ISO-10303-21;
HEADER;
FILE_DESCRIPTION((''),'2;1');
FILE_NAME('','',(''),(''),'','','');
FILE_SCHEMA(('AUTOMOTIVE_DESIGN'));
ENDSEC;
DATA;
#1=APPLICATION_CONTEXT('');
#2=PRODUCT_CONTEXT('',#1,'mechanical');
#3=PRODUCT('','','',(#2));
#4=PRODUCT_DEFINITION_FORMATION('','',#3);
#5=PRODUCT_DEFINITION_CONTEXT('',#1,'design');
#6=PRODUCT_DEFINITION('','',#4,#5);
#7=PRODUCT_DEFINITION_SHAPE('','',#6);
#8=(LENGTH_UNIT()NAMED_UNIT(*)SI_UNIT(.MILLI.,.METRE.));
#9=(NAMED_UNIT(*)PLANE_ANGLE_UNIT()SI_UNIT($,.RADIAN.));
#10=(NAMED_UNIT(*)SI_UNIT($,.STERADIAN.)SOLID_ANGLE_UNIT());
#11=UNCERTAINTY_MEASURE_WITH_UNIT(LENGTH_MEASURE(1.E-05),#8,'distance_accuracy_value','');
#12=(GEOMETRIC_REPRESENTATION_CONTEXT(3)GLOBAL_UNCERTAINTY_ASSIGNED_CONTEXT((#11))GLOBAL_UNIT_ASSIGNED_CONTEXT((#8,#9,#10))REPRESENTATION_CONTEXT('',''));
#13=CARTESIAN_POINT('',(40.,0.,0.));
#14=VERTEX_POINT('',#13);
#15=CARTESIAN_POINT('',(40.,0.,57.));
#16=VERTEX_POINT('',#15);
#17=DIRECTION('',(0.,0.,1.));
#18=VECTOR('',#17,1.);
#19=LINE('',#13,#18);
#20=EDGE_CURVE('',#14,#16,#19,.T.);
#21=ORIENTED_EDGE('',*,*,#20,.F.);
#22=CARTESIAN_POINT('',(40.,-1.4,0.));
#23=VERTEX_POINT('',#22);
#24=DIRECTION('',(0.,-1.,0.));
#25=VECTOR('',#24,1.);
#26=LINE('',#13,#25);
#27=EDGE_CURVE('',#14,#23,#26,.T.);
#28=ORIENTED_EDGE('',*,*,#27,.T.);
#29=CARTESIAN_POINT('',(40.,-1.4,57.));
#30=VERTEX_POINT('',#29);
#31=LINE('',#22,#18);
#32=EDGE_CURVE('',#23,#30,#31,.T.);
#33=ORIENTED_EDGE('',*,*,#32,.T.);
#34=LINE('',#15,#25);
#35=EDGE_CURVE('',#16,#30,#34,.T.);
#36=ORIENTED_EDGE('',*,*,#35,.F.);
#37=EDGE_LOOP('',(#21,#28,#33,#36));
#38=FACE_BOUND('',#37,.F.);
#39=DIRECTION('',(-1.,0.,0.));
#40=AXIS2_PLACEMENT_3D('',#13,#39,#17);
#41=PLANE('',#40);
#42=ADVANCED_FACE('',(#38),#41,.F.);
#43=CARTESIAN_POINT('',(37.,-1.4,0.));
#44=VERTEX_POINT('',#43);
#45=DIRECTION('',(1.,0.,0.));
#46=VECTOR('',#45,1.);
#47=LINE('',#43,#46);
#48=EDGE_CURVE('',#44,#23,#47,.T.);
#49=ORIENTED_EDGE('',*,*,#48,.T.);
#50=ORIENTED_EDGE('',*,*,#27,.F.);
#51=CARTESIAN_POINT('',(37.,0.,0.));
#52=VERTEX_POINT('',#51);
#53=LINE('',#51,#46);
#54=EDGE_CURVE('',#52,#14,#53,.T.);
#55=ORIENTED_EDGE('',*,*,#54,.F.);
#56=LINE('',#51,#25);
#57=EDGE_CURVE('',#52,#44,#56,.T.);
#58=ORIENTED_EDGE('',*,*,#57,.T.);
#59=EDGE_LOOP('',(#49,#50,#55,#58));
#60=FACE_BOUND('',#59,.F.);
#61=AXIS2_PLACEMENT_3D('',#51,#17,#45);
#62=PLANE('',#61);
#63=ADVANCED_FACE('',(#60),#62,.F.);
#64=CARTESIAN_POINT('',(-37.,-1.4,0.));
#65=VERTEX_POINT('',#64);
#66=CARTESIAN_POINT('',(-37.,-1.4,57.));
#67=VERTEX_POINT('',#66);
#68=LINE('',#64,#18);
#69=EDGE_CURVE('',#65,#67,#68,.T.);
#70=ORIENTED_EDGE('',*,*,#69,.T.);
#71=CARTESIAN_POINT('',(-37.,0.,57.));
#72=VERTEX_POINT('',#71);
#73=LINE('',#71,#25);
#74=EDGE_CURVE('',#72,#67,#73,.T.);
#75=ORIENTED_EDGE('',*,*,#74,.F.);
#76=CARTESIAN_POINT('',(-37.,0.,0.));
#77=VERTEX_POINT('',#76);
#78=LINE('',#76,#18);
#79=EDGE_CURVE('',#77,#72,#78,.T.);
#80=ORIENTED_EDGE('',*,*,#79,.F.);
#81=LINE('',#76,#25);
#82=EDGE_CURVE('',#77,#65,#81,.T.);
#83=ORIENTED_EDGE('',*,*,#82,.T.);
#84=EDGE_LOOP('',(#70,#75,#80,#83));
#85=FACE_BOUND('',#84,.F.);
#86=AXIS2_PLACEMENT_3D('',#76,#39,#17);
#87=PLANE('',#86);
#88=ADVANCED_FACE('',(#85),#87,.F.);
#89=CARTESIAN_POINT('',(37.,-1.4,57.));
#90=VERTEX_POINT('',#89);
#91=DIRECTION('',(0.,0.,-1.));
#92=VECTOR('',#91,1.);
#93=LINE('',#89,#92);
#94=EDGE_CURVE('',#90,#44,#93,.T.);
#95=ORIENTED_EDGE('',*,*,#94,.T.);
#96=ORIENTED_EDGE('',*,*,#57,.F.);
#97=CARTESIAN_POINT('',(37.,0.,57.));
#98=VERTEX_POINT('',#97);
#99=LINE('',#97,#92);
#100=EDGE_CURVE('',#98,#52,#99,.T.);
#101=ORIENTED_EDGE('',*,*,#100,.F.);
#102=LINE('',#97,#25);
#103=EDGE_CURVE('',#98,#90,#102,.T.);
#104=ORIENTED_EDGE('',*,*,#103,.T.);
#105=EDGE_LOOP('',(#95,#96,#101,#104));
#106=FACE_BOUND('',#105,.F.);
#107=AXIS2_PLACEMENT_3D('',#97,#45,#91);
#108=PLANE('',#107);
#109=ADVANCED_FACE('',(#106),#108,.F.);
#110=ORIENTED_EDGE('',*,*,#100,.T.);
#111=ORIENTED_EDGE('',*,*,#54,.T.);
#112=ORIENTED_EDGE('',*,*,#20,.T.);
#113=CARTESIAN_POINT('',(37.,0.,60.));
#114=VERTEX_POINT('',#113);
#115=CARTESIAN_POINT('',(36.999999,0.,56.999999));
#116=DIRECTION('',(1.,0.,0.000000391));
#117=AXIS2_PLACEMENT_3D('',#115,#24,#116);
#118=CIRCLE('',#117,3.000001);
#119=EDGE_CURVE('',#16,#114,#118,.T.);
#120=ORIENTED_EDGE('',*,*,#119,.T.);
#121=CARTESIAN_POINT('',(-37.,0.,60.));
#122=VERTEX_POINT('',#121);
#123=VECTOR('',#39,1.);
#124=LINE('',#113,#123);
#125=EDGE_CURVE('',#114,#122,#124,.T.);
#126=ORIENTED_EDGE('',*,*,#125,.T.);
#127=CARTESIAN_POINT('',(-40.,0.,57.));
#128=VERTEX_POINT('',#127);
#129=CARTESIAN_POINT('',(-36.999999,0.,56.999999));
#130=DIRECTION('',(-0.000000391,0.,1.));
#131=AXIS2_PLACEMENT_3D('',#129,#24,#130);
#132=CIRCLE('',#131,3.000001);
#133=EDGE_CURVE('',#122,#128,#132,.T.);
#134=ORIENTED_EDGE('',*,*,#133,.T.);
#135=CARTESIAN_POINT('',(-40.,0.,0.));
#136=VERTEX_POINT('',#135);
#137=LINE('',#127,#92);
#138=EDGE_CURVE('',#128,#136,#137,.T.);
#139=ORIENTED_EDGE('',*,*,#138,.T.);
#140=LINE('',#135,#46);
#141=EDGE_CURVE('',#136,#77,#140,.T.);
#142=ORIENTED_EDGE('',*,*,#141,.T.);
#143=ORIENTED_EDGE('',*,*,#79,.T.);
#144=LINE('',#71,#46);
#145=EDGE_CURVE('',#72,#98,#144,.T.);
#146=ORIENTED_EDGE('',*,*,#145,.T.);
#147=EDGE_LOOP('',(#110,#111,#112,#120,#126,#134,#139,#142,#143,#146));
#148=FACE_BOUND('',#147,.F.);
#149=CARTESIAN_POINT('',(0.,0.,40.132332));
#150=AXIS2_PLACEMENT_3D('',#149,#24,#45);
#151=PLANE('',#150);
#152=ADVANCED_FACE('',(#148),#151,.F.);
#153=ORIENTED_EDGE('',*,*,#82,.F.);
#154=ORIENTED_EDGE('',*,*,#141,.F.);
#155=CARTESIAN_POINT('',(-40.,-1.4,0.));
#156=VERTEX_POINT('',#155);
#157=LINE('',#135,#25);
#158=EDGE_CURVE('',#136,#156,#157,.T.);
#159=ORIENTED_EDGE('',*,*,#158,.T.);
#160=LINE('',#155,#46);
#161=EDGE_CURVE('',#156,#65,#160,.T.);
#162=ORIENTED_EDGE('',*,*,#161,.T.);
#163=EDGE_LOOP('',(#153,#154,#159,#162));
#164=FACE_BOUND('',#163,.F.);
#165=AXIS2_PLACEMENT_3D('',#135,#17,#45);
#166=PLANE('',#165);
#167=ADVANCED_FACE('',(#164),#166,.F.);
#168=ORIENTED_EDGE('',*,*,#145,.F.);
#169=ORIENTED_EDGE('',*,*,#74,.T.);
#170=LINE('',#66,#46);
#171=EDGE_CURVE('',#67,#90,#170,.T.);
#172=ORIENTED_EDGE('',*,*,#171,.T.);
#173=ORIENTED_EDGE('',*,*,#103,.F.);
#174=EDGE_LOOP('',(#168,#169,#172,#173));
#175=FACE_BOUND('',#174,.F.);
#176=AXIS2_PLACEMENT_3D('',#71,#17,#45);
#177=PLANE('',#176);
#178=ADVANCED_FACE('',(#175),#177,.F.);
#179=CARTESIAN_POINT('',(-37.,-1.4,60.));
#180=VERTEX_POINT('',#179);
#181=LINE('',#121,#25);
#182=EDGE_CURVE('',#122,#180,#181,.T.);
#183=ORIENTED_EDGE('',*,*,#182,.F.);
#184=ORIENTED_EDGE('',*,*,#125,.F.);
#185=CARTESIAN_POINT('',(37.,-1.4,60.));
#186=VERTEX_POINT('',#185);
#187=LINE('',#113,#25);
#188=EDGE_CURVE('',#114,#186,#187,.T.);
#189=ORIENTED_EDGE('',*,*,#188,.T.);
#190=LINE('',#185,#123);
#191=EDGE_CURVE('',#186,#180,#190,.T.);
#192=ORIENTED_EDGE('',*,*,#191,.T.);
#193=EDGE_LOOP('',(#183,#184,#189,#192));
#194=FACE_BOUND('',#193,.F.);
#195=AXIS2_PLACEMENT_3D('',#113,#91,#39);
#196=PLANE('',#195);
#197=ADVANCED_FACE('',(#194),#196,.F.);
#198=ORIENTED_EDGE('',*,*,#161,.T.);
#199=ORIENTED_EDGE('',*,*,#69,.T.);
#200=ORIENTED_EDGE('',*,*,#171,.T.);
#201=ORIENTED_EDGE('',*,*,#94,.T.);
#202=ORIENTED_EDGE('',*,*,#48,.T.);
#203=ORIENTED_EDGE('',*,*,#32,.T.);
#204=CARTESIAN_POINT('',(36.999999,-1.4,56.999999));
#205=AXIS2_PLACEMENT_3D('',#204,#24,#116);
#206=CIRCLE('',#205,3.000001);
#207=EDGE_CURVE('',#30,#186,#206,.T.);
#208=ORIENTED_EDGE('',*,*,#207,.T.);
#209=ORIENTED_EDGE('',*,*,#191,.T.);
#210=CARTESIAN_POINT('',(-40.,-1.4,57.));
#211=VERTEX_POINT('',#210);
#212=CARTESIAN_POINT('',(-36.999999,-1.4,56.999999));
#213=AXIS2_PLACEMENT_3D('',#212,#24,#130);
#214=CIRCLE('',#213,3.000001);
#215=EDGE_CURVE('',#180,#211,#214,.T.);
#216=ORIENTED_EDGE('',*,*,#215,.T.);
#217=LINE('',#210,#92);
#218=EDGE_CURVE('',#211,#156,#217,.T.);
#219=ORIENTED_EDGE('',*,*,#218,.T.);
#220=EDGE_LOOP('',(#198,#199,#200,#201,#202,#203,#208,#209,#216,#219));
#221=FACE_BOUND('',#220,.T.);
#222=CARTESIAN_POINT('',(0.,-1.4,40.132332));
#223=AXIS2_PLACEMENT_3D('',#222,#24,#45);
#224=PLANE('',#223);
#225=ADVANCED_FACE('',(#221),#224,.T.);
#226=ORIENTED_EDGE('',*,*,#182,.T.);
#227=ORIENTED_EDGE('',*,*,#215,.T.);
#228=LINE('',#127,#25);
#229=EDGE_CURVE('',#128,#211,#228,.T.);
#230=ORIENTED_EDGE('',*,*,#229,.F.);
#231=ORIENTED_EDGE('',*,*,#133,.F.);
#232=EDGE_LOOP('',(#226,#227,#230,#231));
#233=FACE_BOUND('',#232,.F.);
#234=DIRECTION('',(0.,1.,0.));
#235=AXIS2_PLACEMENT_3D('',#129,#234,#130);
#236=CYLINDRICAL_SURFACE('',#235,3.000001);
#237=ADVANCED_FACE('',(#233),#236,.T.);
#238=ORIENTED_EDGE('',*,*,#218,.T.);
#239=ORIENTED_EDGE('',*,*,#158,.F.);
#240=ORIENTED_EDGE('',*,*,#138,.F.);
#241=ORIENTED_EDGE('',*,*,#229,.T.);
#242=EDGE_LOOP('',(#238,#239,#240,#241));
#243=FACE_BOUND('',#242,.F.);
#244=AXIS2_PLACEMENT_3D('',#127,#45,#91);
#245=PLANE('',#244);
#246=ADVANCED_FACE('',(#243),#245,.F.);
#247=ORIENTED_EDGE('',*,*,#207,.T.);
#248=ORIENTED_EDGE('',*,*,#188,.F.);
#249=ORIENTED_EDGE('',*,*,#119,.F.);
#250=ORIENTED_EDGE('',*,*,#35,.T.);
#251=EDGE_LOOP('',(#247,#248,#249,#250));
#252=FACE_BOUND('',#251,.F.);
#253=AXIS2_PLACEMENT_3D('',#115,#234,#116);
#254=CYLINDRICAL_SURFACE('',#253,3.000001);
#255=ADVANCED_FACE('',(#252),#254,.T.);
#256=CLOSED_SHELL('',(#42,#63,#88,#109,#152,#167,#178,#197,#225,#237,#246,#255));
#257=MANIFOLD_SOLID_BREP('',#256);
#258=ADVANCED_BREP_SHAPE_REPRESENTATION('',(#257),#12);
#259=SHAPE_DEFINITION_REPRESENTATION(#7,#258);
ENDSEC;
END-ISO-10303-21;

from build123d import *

# Parameters (mm, degrees)
F1_DEPTH = 1.4


with BuildPart() as f1:
    # F0 (on Front) → F1 (new body)
    with BuildSketch(Plane.XZ):
        with BuildLine():
            Line((37, 60), (-37, 60))
            ThreePointArc((-37, 60), (-39.12132, 59.12132), (-40, 57))
            Line((-40, 57), (-40, 0))
            Line((-40, 0), (-37, 0))
            Line((-37, 0), (-37, 57))
            Line((-37, 57), (37, 57))
            Line((37, 57), (37, 0))
            Line((37, 0), (40, 0))
            Line((40, 0), (40, 57))
            ThreePointArc((40, 57), (39.12132, 59.12132), (37, 60))
        make_face()
    extrude(amount=F1_DEPTH)


solid = f1.part
